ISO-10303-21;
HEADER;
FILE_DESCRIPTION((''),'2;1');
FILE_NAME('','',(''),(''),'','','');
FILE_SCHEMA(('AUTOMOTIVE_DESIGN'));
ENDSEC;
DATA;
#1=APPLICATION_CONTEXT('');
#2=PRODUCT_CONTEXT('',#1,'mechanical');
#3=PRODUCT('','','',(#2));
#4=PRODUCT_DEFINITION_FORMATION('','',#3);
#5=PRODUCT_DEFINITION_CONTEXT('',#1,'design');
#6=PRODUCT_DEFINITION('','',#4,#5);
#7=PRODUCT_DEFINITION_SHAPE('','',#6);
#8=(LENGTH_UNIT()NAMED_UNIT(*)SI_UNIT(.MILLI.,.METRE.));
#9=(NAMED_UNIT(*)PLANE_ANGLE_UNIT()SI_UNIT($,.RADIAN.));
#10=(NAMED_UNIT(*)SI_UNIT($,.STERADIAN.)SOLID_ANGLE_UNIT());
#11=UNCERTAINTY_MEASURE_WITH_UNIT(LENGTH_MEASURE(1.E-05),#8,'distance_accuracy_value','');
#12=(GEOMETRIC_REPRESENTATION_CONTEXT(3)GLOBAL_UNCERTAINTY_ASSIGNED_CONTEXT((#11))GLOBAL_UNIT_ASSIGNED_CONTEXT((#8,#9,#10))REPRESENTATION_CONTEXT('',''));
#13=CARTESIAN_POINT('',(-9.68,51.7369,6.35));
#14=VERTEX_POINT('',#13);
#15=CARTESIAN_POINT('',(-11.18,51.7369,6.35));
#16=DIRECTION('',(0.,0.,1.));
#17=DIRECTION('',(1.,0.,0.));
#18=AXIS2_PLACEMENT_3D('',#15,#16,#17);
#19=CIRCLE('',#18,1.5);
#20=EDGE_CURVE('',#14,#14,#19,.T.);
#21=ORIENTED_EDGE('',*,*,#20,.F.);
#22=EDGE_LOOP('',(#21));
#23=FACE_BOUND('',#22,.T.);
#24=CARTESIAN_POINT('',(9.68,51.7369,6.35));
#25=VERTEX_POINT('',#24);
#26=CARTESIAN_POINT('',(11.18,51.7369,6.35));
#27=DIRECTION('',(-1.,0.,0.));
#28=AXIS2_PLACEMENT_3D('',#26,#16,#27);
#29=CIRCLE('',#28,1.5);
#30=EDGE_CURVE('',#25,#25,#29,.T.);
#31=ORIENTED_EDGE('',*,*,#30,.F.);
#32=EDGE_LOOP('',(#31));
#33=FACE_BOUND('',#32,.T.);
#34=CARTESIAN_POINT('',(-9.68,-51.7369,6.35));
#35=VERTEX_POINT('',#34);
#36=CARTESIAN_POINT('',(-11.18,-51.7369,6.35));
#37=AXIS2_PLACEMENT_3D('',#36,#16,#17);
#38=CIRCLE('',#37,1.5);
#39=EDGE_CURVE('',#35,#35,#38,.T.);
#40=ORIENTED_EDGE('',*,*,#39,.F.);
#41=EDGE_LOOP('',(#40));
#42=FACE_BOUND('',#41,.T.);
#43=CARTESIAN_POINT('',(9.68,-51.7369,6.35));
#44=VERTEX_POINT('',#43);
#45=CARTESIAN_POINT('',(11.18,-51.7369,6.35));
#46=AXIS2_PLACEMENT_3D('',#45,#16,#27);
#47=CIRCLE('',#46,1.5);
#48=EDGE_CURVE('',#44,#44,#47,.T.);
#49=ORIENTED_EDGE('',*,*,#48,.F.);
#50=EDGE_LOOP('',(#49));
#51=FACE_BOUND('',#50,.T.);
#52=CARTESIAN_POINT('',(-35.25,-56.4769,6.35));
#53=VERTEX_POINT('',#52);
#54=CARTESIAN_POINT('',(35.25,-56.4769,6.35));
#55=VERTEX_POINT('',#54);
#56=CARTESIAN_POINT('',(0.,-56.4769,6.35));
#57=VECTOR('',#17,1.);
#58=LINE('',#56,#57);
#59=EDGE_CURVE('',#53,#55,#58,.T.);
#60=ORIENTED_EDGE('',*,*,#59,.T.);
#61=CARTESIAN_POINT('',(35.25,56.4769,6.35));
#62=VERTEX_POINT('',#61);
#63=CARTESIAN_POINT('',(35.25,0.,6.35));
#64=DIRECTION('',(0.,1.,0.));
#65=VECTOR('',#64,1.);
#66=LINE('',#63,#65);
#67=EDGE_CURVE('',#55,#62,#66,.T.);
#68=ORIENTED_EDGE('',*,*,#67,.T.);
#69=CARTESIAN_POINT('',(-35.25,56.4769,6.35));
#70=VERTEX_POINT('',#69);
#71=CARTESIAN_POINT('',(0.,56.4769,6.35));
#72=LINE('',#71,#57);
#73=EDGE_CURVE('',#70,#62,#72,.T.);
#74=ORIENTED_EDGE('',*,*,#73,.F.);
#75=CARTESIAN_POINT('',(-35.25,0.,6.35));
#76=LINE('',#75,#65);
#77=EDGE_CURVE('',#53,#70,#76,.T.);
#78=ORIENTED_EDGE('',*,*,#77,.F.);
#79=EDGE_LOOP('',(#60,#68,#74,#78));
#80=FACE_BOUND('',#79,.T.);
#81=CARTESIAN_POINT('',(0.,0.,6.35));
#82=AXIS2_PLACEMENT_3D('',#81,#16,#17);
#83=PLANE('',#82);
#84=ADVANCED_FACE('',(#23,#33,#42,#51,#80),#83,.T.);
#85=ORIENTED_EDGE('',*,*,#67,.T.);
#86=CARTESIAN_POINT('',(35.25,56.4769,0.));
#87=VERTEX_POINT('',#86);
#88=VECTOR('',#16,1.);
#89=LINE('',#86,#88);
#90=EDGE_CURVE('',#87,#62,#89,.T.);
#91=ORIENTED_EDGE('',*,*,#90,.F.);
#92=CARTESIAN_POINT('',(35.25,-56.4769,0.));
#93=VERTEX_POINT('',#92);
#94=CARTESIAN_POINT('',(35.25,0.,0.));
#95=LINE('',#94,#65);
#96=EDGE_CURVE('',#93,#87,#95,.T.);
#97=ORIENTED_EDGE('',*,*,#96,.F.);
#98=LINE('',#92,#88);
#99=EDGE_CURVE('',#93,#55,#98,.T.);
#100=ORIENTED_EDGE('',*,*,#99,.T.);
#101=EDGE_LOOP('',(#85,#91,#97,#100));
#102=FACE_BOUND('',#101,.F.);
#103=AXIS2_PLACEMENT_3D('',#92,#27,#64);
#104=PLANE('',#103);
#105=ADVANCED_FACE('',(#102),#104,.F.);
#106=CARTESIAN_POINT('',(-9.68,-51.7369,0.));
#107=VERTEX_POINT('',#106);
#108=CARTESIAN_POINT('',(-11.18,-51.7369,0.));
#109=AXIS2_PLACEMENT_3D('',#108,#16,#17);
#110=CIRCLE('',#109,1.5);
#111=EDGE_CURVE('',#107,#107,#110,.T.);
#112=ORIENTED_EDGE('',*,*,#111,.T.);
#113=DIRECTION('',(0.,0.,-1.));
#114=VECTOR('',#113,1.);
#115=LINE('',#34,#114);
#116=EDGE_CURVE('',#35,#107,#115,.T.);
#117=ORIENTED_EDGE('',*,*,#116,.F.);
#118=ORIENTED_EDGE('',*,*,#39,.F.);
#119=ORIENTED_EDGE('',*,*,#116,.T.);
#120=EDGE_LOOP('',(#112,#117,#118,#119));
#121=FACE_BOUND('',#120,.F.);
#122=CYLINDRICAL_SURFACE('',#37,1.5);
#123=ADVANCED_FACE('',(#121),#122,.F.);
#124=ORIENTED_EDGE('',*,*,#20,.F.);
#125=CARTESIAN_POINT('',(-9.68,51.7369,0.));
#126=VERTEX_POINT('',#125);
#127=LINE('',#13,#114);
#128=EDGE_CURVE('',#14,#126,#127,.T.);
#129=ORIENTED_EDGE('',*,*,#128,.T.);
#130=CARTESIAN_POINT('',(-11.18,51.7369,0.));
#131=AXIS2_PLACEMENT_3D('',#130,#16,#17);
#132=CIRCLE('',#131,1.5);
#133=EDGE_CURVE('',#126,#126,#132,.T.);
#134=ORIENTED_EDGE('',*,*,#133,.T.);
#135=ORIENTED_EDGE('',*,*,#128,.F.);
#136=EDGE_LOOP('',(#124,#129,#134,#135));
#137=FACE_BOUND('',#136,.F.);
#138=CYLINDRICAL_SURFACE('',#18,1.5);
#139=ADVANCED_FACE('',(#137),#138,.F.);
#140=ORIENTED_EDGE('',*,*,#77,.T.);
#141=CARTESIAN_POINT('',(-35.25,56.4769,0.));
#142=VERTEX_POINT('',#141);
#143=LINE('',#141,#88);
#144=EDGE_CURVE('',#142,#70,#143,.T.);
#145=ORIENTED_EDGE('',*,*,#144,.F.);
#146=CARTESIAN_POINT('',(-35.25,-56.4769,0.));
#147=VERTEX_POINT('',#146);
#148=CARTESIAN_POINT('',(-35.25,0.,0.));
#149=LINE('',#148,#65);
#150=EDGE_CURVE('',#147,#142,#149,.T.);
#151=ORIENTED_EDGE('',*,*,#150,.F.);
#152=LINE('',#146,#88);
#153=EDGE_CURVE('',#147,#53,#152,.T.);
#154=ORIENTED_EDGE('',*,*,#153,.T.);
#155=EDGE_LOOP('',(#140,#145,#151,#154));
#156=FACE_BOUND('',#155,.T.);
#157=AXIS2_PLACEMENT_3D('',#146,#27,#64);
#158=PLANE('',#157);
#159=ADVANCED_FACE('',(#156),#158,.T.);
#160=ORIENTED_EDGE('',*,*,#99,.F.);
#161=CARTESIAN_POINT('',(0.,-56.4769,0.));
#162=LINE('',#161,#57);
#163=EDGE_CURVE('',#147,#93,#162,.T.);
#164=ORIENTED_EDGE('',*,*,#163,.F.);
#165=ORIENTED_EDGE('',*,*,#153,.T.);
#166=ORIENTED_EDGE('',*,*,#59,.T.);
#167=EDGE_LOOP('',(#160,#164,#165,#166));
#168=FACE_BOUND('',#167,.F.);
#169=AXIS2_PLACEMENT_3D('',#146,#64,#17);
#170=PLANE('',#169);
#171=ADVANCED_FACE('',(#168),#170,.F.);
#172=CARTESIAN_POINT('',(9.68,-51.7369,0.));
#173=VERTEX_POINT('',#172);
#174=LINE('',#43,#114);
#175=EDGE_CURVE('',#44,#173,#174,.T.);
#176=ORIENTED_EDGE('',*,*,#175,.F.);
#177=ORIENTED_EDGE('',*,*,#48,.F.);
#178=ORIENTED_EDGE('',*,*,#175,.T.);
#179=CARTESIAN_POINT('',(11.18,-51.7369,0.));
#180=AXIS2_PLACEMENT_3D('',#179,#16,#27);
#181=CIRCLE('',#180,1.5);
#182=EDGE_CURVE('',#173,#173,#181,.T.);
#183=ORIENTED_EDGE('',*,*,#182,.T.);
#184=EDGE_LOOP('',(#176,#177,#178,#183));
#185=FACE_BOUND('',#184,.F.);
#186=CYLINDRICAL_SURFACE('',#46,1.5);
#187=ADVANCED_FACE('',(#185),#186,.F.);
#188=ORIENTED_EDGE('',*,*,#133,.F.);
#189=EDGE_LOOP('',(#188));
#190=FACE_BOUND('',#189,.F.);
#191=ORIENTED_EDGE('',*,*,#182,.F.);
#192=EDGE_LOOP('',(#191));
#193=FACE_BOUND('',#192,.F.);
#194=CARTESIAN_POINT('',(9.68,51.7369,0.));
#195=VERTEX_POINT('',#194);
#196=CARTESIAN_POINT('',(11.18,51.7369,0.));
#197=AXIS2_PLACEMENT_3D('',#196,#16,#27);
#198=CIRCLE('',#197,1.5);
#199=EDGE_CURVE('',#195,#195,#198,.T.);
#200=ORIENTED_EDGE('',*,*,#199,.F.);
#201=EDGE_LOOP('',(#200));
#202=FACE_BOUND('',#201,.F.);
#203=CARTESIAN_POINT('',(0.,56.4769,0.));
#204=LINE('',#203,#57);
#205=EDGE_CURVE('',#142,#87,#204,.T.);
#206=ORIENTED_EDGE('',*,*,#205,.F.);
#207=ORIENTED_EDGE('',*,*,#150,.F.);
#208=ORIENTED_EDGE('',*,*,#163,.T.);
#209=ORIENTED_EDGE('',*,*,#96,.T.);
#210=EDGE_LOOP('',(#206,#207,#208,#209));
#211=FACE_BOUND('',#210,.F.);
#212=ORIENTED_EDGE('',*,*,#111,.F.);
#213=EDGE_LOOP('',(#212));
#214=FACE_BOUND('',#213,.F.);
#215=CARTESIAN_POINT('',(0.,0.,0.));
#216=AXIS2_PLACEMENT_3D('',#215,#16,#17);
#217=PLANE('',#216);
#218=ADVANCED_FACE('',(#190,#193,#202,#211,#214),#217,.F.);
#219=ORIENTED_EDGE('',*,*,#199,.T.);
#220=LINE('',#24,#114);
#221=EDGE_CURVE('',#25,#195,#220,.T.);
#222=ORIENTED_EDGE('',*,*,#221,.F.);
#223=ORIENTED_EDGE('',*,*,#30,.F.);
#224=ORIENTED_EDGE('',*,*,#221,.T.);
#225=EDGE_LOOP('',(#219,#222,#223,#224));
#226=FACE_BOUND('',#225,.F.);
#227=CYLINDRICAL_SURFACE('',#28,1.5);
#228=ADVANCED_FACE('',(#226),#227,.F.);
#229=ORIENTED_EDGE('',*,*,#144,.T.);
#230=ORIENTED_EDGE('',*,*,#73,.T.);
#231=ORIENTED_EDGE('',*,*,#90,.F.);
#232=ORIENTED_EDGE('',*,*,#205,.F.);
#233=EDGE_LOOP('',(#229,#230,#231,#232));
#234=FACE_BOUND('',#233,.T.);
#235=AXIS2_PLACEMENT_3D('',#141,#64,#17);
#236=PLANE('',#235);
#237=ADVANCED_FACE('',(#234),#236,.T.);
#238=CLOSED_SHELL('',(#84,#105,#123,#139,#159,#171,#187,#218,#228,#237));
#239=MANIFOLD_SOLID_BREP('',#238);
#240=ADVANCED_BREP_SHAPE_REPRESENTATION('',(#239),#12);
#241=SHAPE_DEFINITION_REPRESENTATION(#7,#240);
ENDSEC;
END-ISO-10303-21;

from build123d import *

# Parameters (mm, degrees)
F0_W     = 70.5
F0_H     = 112.9538
F1_DEPTH = 6.35
F2_R     = 1.5
F3_DEPTH = 6.35


with BuildPart() as f1:
    # F0 (on Top) → F1 (new body)
    with BuildSketch(Plane.XY):
        Rectangle(F0_W, F0_H)
    extrude(amount=F1_DEPTH)

    # F2 (on face) → F3 (cut, through all)
    with BuildSketch(Plane.XY.offset(6.35)):
        with BuildLine():
            ThreePointArc((12.68, -51.7369), (11.18, -50.2369), (9.68, -51.7369))
            ThreePointArc((9.68, -51.7369), (11.18, -53.2369), (12.68, -51.7369))
        make_face()
        with Locations((-11.18, -51.7369)):
            Circle(F2_R)
        with BuildLine():
            ThreePointArc((12.68, 51.7369), (11.18, 53.2369), (9.68, 51.7369))
            ThreePointArc((9.68, 51.7369), (11.18, 50.2369), (12.68, 51.7369))
        make_face()
        with Locations((-11.18, 51.7369)):
            Circle(F2_R)
    extrude(amount=-F3_DEPTH, mode=Mode.SUBTRACT)


solid = f1.part
